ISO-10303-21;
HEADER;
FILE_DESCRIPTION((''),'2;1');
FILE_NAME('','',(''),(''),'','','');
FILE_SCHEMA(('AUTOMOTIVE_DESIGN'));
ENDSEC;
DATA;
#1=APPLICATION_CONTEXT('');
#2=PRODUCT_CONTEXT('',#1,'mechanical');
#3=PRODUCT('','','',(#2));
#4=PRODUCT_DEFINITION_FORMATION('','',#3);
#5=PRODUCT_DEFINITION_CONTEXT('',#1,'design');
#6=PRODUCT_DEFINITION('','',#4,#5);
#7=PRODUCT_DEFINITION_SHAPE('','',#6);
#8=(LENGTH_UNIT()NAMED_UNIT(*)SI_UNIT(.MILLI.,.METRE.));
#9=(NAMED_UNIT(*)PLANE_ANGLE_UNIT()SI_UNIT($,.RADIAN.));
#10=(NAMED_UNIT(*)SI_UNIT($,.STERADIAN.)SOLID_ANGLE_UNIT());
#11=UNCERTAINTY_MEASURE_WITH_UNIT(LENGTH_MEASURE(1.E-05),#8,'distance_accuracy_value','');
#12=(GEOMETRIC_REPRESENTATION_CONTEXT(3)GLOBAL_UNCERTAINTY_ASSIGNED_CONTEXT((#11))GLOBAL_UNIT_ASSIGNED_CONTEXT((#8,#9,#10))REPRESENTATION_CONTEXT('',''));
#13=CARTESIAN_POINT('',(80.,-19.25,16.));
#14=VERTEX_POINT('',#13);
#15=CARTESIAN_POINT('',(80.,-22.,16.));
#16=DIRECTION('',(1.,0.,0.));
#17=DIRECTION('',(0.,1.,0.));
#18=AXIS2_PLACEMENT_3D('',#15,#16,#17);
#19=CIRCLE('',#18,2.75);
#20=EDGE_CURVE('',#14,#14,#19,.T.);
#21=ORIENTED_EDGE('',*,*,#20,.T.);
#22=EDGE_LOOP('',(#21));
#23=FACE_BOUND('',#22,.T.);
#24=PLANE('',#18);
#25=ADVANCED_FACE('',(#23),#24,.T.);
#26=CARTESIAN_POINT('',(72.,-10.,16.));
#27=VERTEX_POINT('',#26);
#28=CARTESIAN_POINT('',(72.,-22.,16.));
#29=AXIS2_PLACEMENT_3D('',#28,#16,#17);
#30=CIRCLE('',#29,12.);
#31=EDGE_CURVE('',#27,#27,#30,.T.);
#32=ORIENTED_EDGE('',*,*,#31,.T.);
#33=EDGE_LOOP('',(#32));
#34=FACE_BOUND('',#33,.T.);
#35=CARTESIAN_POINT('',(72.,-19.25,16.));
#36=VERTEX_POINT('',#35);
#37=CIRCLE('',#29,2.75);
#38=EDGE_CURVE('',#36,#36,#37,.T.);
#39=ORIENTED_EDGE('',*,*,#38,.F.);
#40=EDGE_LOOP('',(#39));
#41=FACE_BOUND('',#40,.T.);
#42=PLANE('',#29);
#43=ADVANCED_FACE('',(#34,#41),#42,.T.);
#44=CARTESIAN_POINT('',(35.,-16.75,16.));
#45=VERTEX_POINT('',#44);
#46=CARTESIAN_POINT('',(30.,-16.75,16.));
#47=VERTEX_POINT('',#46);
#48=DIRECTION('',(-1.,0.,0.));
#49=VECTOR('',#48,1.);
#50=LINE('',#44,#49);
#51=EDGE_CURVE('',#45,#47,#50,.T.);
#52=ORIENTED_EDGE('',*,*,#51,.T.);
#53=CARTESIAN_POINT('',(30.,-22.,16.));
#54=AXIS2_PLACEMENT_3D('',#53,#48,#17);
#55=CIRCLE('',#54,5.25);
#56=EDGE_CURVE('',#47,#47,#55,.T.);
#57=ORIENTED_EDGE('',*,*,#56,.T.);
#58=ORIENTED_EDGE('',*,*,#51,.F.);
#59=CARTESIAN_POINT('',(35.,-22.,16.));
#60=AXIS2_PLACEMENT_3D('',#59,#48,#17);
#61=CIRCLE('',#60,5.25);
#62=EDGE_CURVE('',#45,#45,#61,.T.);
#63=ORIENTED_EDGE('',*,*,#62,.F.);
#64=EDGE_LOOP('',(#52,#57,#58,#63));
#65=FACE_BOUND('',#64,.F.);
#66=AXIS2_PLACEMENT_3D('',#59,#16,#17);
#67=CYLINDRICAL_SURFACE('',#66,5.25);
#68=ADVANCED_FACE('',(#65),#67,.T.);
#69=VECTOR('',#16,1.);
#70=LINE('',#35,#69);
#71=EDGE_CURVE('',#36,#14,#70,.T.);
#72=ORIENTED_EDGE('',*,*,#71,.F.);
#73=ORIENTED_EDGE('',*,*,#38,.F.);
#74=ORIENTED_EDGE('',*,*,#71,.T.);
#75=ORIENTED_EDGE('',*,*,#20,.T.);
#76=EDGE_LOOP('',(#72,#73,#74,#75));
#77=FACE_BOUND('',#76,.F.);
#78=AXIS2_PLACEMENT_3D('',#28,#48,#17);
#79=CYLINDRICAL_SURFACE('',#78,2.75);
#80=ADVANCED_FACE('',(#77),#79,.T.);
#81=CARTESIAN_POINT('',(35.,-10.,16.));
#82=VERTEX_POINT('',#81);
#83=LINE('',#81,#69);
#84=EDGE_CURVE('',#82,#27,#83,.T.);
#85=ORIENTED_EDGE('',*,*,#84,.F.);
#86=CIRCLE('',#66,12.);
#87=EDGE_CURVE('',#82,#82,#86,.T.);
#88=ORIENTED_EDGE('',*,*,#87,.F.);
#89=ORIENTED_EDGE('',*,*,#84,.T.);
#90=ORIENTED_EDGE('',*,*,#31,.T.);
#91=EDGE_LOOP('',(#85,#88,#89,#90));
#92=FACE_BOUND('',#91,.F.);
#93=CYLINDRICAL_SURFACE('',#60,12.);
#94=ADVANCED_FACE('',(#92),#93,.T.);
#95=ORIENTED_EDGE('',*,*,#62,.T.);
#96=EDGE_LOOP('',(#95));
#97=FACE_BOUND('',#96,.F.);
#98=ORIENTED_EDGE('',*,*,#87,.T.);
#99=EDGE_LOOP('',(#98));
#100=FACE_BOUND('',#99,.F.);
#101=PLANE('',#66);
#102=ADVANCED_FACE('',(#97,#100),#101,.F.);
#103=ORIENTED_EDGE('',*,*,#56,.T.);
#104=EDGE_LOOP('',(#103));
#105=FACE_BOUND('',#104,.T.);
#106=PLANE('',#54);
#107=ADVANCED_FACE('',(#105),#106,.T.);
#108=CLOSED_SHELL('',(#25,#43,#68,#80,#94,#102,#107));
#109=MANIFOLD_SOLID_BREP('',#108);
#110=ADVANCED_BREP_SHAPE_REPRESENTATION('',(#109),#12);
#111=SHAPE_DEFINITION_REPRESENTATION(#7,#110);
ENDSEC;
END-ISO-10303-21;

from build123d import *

# Parameters (mm, degrees)
SKETCH044_R  = 12
PAD020_DEPTH = 37
SKETCH045_R  = 2.75
PAD021_DEPTH = 8
SKETCH046_R  = 5.25
PAD022_DEPTH = 5


with BuildPart() as part:
    # Sketch044 → Pad020 (new body)
    with BuildSketch(Plane.YZ):
        Circle(SKETCH044_R)
    extrude(amount=PAD020_DEPTH)

    # Sketch045 (on Face3 of Pad020) → Pad021 (join)
    with BuildSketch(Plane.YZ.offset(37)):
        Circle(SKETCH045_R)
    extrude(amount=PAD021_DEPTH)

    # Sketch046 (on Face2 of Pad021) → Pad022 (join)
    with BuildSketch(Plane(origin=(0, 0, 0), x_dir=(0, 1, 0), z_dir=(-1, 0, 0))):
        Circle(SKETCH046_R)
    extrude(amount=PAD022_DEPTH)


with BuildPart() as part_1:
    # Body005 placement: moved
    add(part.part.moved(Location((35, -22, 16))))


solid = part_1.part
